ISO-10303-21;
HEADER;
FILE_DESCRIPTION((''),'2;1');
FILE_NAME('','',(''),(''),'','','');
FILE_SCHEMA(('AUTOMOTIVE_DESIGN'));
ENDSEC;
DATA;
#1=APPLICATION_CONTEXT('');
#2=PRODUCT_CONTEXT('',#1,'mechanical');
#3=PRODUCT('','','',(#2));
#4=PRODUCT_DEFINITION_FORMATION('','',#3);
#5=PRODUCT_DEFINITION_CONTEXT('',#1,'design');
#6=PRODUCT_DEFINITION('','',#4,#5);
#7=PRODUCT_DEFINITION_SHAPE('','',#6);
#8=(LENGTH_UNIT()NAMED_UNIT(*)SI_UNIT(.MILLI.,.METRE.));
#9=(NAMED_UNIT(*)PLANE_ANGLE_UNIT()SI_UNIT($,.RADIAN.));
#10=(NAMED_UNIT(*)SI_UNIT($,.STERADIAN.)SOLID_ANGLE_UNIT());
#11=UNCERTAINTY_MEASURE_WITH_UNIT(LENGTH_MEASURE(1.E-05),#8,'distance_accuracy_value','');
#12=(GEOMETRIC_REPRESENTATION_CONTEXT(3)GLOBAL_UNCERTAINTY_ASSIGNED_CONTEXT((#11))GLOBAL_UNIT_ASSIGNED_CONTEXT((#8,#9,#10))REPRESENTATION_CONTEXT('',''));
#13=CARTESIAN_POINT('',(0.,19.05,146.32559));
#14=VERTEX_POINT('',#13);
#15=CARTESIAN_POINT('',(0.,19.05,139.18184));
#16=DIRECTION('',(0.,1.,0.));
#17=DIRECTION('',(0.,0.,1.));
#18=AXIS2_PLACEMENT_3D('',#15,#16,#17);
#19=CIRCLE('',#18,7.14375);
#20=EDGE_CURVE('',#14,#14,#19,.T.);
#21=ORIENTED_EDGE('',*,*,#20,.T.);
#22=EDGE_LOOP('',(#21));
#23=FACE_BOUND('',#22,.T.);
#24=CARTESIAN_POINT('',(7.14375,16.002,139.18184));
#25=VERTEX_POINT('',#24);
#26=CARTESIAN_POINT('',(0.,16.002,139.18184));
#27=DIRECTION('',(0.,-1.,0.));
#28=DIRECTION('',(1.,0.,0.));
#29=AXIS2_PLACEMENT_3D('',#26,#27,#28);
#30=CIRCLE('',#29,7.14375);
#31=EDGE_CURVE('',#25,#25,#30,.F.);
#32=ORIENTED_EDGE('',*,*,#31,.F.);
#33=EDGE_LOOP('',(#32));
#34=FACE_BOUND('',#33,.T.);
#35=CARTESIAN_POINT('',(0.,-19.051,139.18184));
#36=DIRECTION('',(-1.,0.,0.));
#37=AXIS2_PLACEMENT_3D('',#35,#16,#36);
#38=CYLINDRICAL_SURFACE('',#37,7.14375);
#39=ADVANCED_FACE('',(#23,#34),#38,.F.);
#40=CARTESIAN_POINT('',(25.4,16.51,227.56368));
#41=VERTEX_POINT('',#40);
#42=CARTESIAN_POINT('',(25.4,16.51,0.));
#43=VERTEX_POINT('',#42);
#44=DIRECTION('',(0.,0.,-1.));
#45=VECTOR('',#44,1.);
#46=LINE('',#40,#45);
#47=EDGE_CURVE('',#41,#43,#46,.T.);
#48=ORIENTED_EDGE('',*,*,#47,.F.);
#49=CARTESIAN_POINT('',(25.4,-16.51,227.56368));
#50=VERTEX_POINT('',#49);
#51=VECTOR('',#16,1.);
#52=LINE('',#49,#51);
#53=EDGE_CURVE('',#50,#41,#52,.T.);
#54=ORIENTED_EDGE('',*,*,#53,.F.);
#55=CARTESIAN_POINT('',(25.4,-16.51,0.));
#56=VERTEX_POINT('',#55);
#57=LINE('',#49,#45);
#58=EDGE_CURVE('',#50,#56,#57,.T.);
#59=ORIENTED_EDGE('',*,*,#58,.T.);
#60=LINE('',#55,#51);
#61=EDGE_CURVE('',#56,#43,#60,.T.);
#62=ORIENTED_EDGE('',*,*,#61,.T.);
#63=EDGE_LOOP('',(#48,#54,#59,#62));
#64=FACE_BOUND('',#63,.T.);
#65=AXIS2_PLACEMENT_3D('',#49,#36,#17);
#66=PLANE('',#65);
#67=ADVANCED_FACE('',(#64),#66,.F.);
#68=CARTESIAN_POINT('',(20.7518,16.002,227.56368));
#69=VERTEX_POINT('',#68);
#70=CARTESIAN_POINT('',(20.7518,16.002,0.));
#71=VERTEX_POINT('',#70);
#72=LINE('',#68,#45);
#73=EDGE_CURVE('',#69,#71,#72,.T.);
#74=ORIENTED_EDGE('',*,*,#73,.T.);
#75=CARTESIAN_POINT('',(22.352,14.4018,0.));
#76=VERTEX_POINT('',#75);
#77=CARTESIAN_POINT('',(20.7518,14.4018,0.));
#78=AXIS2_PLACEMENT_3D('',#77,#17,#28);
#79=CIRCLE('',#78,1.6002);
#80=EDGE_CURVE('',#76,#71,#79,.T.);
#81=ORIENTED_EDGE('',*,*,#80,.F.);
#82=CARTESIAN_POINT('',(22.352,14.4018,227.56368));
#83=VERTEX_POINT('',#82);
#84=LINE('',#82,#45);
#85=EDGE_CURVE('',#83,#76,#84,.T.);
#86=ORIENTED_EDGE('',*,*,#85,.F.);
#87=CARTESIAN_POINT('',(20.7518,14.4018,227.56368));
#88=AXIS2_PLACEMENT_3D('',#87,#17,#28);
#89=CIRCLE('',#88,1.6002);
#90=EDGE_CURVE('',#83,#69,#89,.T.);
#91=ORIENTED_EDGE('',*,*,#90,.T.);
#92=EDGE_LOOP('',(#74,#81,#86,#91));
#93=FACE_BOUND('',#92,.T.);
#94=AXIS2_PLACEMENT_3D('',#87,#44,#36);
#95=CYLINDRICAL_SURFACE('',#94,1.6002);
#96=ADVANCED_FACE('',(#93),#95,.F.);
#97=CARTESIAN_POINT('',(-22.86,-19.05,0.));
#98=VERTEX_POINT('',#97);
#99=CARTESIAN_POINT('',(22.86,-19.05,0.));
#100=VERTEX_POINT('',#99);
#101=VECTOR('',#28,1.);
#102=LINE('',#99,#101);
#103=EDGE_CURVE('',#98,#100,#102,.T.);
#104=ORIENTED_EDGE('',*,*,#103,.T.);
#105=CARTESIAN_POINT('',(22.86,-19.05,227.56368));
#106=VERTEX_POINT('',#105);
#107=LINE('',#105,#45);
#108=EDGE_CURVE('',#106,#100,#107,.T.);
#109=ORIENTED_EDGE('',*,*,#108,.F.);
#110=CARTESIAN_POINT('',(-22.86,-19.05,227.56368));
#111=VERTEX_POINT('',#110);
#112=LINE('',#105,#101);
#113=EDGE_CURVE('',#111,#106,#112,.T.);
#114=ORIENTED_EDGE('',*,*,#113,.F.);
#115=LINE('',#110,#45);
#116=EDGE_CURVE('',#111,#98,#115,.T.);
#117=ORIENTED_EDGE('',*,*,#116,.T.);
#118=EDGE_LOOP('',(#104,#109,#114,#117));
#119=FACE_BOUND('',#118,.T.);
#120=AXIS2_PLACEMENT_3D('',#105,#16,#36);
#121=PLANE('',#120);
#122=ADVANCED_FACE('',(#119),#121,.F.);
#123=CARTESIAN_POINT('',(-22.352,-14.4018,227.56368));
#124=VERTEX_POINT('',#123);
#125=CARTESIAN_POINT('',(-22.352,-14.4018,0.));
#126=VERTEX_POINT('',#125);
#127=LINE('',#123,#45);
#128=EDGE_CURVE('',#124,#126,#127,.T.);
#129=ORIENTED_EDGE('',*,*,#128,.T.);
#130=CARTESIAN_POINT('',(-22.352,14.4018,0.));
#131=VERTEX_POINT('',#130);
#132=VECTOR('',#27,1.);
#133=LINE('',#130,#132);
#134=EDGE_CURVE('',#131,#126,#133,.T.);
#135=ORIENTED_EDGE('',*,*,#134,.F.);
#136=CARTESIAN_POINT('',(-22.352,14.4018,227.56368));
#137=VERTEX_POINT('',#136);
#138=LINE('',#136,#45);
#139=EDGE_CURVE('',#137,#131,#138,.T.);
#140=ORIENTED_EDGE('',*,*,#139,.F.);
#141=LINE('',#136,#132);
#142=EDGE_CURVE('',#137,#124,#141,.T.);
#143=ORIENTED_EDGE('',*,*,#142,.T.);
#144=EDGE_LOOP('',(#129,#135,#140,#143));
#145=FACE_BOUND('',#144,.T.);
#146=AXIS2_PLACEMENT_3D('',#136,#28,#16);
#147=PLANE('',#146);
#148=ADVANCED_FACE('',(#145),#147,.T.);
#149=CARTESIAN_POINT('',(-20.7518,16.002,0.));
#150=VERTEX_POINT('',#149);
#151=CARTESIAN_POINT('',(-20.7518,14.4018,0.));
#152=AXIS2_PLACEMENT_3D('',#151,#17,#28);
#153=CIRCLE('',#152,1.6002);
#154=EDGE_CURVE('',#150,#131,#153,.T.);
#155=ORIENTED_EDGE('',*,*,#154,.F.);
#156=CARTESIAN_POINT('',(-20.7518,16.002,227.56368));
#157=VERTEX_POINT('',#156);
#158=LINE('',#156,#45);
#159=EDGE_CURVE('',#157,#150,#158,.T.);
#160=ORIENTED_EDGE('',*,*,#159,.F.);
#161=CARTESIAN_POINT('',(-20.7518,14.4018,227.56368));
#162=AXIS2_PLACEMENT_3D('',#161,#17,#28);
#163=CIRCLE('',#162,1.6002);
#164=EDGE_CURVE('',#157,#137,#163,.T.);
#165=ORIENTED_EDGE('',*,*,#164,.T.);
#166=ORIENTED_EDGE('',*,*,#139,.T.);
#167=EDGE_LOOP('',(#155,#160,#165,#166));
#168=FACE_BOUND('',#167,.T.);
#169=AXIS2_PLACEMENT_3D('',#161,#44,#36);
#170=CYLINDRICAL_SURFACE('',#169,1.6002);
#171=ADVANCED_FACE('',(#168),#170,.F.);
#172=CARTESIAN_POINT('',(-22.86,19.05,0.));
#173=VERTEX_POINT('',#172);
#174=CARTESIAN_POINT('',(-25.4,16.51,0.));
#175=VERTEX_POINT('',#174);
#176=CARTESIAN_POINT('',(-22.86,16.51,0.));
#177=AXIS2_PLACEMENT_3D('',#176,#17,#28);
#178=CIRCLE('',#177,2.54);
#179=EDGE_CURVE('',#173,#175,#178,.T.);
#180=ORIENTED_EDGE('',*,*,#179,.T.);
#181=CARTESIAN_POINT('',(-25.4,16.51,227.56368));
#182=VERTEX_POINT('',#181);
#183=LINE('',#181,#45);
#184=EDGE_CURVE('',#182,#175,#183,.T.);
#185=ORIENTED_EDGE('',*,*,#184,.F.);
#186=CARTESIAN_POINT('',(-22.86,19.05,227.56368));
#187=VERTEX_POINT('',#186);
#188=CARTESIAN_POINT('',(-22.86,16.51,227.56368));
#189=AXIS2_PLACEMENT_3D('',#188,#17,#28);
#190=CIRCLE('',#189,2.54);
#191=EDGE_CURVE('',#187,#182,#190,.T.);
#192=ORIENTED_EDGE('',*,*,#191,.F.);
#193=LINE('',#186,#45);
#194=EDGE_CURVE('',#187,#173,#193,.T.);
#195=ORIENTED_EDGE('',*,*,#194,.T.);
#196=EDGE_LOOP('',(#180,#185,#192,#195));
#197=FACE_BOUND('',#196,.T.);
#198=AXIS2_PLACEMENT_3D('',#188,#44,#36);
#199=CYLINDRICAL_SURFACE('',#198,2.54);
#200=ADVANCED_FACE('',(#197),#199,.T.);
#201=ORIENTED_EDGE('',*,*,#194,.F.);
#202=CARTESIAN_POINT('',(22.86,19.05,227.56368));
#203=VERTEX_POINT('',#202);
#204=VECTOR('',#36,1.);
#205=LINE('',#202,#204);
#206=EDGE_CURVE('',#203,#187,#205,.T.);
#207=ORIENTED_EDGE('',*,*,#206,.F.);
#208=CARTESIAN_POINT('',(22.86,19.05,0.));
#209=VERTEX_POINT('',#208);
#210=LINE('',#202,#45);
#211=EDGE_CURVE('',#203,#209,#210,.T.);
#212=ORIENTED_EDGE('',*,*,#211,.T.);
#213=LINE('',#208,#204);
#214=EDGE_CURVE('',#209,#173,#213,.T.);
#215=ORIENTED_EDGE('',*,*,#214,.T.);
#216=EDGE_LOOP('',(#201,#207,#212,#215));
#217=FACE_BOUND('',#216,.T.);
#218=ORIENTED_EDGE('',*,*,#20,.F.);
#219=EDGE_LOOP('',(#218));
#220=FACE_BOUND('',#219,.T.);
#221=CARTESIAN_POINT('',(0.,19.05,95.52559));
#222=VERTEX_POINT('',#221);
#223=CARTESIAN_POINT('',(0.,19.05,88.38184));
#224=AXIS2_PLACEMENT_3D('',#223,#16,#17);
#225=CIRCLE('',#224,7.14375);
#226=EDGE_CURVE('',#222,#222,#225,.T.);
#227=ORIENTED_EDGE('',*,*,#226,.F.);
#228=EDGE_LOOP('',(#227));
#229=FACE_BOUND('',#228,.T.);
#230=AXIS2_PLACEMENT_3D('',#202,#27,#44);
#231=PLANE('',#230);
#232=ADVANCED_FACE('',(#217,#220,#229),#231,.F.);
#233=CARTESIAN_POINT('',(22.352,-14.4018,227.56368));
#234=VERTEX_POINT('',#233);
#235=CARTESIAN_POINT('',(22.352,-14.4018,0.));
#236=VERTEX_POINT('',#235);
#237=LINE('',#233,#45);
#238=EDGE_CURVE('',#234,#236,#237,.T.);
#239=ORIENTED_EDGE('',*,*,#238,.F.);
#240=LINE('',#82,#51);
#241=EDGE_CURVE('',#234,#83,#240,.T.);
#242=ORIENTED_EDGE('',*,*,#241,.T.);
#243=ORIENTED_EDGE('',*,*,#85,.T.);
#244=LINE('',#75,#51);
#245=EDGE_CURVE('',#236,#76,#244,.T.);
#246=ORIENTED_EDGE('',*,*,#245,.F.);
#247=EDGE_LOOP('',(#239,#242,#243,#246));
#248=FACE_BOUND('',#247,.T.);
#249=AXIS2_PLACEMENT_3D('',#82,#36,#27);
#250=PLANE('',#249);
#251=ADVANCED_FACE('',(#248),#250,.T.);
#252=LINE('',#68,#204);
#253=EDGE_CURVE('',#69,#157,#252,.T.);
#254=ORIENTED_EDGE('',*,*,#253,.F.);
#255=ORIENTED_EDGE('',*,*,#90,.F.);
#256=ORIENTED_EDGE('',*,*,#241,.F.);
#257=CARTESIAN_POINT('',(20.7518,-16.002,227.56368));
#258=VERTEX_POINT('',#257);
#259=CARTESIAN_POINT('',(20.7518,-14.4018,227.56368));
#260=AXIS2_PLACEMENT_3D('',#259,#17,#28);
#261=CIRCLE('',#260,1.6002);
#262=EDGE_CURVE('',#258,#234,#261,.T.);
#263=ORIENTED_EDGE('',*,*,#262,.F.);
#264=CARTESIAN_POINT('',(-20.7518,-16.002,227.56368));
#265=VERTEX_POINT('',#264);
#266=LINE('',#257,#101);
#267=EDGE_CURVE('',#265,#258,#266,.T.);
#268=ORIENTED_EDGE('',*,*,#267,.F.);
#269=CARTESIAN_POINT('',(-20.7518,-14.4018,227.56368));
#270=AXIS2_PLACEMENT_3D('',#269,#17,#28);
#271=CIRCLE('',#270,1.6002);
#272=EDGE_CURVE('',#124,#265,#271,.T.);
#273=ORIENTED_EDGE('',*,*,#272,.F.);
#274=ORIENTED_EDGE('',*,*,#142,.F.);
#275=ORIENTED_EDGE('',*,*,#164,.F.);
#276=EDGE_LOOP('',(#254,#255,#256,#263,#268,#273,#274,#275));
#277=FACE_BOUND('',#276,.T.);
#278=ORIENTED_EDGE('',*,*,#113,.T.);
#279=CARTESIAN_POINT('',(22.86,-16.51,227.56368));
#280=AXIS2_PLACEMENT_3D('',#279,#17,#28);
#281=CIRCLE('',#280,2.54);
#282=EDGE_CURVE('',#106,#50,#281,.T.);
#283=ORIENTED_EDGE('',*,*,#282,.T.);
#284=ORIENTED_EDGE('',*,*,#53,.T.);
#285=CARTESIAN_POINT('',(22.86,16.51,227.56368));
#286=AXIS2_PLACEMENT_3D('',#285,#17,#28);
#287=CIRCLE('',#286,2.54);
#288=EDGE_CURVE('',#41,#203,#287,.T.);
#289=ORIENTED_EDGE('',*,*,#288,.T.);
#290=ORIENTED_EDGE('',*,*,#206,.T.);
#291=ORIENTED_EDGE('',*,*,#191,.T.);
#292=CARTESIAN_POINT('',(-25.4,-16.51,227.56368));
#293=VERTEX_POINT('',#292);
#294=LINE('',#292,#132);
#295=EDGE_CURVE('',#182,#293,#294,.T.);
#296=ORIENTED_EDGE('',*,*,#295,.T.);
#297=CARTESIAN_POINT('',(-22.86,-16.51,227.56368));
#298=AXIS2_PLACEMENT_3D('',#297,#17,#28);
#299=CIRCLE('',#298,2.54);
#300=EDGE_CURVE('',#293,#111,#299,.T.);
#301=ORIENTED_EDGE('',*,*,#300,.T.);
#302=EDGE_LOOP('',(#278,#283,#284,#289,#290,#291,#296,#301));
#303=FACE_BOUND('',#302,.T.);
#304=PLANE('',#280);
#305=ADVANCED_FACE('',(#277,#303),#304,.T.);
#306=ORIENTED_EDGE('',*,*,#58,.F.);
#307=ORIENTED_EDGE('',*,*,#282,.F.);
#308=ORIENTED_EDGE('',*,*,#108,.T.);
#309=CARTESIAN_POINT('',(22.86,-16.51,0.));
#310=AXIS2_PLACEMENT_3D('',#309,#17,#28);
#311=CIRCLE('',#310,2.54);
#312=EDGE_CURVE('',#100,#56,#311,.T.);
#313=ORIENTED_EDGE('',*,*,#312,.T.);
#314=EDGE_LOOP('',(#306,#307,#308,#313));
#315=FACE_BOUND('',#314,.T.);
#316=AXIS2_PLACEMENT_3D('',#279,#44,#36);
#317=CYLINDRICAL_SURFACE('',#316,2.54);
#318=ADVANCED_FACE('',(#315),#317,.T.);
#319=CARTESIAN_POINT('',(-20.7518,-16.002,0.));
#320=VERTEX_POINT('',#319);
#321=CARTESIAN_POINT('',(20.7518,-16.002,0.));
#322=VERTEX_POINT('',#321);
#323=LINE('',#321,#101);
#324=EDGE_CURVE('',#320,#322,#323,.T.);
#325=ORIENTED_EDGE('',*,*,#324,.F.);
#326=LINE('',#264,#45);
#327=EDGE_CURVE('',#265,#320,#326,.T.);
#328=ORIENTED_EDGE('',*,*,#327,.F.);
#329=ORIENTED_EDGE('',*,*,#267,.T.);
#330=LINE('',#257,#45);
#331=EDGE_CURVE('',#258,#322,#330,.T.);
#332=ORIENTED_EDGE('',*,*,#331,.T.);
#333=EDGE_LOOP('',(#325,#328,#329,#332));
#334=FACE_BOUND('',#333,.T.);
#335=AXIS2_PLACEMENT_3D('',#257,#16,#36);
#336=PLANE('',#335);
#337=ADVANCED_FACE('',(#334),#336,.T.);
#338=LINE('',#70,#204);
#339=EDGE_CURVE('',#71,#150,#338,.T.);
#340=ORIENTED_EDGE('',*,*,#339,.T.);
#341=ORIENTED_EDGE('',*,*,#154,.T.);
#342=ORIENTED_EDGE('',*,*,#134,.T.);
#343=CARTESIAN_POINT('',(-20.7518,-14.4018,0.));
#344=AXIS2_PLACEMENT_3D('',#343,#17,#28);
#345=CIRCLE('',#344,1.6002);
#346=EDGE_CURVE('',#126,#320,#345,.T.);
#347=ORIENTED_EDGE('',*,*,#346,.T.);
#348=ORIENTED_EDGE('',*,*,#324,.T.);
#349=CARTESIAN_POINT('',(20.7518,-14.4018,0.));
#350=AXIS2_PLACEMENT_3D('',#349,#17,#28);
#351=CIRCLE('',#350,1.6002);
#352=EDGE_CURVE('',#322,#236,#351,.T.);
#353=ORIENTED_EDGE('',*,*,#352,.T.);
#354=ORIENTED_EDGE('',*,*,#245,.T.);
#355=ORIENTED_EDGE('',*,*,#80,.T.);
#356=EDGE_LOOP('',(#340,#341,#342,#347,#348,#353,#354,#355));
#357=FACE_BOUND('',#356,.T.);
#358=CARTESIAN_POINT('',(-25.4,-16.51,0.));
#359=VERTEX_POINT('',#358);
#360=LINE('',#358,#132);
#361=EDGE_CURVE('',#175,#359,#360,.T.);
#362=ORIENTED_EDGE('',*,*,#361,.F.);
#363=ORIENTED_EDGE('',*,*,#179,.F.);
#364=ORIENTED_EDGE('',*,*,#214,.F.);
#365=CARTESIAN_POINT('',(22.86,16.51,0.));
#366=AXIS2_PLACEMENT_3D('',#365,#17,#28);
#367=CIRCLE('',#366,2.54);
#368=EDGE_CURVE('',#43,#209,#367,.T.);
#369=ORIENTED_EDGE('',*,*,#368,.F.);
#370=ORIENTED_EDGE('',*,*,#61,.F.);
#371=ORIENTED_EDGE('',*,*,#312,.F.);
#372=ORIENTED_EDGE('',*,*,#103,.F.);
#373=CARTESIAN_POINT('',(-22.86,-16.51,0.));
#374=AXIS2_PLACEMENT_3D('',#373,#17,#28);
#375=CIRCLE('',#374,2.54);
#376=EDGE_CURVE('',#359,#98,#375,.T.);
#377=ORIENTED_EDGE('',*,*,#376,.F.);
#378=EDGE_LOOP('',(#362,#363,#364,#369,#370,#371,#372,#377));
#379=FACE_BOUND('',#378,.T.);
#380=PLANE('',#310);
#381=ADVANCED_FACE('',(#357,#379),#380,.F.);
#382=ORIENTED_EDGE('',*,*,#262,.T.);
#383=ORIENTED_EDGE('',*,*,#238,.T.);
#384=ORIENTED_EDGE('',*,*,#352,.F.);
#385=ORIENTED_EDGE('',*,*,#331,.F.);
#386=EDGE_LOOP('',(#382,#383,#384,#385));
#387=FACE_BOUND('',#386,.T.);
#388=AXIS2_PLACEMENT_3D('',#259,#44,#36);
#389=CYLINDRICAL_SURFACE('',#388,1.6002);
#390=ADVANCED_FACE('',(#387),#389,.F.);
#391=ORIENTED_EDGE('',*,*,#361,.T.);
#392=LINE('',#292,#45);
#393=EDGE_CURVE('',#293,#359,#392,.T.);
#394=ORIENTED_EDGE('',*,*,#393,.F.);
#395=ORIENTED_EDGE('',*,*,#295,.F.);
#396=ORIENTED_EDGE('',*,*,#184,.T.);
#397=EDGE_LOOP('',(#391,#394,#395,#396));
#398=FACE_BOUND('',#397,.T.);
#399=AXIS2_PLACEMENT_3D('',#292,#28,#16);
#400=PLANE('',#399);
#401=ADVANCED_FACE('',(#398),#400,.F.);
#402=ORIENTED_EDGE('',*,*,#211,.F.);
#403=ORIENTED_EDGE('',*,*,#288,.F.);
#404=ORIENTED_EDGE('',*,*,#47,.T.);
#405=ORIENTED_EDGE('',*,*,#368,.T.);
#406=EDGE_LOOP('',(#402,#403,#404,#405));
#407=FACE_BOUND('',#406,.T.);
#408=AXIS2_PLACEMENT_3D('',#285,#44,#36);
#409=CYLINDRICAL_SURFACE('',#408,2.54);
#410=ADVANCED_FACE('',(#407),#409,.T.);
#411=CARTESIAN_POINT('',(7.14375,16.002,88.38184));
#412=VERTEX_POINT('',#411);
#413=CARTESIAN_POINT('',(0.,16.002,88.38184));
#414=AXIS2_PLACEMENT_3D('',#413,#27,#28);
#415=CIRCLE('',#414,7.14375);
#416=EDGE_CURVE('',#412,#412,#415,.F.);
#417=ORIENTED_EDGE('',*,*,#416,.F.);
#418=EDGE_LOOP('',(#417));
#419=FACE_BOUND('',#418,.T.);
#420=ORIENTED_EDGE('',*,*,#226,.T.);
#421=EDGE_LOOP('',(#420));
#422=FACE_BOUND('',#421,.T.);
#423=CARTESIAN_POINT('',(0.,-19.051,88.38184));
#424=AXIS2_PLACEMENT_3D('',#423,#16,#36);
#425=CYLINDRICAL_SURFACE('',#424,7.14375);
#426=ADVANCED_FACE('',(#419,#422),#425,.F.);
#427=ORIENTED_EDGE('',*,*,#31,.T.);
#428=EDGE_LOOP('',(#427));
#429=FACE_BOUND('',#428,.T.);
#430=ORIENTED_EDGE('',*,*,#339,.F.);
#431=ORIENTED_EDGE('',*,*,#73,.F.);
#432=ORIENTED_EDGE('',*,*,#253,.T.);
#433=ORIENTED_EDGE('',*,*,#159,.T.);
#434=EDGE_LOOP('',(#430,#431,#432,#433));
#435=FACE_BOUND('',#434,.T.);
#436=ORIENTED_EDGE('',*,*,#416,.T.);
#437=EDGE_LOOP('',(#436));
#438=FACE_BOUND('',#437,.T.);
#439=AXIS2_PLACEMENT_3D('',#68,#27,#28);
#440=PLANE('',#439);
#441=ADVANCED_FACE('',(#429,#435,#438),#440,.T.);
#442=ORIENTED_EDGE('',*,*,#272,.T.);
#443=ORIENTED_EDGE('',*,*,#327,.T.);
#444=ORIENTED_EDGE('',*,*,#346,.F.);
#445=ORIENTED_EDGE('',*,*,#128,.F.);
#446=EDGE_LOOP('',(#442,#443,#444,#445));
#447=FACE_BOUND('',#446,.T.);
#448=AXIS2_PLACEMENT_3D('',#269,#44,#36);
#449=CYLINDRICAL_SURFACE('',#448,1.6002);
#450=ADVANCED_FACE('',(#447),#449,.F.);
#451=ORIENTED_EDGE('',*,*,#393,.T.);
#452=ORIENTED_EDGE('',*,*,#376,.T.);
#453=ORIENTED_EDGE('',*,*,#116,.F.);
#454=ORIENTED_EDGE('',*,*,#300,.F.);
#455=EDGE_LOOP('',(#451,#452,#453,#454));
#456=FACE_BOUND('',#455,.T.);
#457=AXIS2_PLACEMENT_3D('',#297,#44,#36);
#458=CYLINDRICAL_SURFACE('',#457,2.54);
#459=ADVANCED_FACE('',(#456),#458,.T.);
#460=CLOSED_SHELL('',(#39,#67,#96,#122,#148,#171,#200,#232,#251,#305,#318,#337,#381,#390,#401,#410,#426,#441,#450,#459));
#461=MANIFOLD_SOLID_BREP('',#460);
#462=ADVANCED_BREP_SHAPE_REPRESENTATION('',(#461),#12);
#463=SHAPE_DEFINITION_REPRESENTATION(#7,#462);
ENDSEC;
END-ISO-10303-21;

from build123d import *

# Parameters (mm, degrees)
BOSS_EXTRUDE1_DEPTH = 227.56368
SKETCH9_R           = 7.14375
CUT_EXTRUDE2_DEPTH  = 3.048


with BuildPart() as part:
    # Sketch4 → Boss-Extrude1 (new body)
    with BuildSketch(Plane.XY):
        with BuildLine():
            Line((25.4, -16.51), (25.4, 16.51))
            ThreePointArc((25.4, 16.51), (24.656051224, 18.306051224), (22.86, 19.05))
            Line((22.86, 19.05), (-22.86, 19.05))
            ThreePointArc((-22.86, 19.05), (-24.656051224, 18.306051224), (-25.4, 16.51))
            Line((-25.4, 16.51), (-25.4, -16.51))
            ThreePointArc((-25.4, -16.51), (-24.656051224, -18.306051224), (-22.86, -19.05))
            Line((-22.86, -19.05), (22.86, -19.05))
            ThreePointArc((22.86, -19.05), (24.656051224, -18.306051224), (25.4, -16.51))
        make_face()
        with BuildLine():
            Line((22.352, 14.4018), (22.352, -14.4018))
            ThreePointArc((22.352, -14.4018), (21.883312271, -15.533312271), (20.7518, -16.002))
            Line((20.7518, -16.002), (-20.7518, -16.002))
            ThreePointArc((-20.7518, -16.002), (-21.883312271, -15.533312271), (-22.352, -14.4018))
            Line((-22.352, -14.4018), (-22.352, 14.4018))
            ThreePointArc((-22.352, 14.4018), (-21.883312271, 15.533312271), (-20.7518, 16.002))
            Line((-20.7518, 16.002), (20.7518, 16.002))
            ThreePointArc((20.7518, 16.002), (21.883312271, 15.533312271), (22.352, 14.4018))
        make_face(mode=Mode.SUBTRACT)
    extrude(amount=BOSS_EXTRUDE1_DEPTH)

    # Sketch9 → Cut-Extrude2 (cut)
    with BuildSketch(Plane(origin=(0, 19.05, 0), x_dir=(1, 0, 0), z_dir=(0, 1, 0))):
        with Locations((0, -139.18184)):
            Circle(SKETCH9_R)
        with Locations((0, -88.38184)):
            Circle(SKETCH9_R)
    extrude(amount=-CUT_EXTRUDE2_DEPTH, mode=Mode.SUBTRACT)


solid = part.part
